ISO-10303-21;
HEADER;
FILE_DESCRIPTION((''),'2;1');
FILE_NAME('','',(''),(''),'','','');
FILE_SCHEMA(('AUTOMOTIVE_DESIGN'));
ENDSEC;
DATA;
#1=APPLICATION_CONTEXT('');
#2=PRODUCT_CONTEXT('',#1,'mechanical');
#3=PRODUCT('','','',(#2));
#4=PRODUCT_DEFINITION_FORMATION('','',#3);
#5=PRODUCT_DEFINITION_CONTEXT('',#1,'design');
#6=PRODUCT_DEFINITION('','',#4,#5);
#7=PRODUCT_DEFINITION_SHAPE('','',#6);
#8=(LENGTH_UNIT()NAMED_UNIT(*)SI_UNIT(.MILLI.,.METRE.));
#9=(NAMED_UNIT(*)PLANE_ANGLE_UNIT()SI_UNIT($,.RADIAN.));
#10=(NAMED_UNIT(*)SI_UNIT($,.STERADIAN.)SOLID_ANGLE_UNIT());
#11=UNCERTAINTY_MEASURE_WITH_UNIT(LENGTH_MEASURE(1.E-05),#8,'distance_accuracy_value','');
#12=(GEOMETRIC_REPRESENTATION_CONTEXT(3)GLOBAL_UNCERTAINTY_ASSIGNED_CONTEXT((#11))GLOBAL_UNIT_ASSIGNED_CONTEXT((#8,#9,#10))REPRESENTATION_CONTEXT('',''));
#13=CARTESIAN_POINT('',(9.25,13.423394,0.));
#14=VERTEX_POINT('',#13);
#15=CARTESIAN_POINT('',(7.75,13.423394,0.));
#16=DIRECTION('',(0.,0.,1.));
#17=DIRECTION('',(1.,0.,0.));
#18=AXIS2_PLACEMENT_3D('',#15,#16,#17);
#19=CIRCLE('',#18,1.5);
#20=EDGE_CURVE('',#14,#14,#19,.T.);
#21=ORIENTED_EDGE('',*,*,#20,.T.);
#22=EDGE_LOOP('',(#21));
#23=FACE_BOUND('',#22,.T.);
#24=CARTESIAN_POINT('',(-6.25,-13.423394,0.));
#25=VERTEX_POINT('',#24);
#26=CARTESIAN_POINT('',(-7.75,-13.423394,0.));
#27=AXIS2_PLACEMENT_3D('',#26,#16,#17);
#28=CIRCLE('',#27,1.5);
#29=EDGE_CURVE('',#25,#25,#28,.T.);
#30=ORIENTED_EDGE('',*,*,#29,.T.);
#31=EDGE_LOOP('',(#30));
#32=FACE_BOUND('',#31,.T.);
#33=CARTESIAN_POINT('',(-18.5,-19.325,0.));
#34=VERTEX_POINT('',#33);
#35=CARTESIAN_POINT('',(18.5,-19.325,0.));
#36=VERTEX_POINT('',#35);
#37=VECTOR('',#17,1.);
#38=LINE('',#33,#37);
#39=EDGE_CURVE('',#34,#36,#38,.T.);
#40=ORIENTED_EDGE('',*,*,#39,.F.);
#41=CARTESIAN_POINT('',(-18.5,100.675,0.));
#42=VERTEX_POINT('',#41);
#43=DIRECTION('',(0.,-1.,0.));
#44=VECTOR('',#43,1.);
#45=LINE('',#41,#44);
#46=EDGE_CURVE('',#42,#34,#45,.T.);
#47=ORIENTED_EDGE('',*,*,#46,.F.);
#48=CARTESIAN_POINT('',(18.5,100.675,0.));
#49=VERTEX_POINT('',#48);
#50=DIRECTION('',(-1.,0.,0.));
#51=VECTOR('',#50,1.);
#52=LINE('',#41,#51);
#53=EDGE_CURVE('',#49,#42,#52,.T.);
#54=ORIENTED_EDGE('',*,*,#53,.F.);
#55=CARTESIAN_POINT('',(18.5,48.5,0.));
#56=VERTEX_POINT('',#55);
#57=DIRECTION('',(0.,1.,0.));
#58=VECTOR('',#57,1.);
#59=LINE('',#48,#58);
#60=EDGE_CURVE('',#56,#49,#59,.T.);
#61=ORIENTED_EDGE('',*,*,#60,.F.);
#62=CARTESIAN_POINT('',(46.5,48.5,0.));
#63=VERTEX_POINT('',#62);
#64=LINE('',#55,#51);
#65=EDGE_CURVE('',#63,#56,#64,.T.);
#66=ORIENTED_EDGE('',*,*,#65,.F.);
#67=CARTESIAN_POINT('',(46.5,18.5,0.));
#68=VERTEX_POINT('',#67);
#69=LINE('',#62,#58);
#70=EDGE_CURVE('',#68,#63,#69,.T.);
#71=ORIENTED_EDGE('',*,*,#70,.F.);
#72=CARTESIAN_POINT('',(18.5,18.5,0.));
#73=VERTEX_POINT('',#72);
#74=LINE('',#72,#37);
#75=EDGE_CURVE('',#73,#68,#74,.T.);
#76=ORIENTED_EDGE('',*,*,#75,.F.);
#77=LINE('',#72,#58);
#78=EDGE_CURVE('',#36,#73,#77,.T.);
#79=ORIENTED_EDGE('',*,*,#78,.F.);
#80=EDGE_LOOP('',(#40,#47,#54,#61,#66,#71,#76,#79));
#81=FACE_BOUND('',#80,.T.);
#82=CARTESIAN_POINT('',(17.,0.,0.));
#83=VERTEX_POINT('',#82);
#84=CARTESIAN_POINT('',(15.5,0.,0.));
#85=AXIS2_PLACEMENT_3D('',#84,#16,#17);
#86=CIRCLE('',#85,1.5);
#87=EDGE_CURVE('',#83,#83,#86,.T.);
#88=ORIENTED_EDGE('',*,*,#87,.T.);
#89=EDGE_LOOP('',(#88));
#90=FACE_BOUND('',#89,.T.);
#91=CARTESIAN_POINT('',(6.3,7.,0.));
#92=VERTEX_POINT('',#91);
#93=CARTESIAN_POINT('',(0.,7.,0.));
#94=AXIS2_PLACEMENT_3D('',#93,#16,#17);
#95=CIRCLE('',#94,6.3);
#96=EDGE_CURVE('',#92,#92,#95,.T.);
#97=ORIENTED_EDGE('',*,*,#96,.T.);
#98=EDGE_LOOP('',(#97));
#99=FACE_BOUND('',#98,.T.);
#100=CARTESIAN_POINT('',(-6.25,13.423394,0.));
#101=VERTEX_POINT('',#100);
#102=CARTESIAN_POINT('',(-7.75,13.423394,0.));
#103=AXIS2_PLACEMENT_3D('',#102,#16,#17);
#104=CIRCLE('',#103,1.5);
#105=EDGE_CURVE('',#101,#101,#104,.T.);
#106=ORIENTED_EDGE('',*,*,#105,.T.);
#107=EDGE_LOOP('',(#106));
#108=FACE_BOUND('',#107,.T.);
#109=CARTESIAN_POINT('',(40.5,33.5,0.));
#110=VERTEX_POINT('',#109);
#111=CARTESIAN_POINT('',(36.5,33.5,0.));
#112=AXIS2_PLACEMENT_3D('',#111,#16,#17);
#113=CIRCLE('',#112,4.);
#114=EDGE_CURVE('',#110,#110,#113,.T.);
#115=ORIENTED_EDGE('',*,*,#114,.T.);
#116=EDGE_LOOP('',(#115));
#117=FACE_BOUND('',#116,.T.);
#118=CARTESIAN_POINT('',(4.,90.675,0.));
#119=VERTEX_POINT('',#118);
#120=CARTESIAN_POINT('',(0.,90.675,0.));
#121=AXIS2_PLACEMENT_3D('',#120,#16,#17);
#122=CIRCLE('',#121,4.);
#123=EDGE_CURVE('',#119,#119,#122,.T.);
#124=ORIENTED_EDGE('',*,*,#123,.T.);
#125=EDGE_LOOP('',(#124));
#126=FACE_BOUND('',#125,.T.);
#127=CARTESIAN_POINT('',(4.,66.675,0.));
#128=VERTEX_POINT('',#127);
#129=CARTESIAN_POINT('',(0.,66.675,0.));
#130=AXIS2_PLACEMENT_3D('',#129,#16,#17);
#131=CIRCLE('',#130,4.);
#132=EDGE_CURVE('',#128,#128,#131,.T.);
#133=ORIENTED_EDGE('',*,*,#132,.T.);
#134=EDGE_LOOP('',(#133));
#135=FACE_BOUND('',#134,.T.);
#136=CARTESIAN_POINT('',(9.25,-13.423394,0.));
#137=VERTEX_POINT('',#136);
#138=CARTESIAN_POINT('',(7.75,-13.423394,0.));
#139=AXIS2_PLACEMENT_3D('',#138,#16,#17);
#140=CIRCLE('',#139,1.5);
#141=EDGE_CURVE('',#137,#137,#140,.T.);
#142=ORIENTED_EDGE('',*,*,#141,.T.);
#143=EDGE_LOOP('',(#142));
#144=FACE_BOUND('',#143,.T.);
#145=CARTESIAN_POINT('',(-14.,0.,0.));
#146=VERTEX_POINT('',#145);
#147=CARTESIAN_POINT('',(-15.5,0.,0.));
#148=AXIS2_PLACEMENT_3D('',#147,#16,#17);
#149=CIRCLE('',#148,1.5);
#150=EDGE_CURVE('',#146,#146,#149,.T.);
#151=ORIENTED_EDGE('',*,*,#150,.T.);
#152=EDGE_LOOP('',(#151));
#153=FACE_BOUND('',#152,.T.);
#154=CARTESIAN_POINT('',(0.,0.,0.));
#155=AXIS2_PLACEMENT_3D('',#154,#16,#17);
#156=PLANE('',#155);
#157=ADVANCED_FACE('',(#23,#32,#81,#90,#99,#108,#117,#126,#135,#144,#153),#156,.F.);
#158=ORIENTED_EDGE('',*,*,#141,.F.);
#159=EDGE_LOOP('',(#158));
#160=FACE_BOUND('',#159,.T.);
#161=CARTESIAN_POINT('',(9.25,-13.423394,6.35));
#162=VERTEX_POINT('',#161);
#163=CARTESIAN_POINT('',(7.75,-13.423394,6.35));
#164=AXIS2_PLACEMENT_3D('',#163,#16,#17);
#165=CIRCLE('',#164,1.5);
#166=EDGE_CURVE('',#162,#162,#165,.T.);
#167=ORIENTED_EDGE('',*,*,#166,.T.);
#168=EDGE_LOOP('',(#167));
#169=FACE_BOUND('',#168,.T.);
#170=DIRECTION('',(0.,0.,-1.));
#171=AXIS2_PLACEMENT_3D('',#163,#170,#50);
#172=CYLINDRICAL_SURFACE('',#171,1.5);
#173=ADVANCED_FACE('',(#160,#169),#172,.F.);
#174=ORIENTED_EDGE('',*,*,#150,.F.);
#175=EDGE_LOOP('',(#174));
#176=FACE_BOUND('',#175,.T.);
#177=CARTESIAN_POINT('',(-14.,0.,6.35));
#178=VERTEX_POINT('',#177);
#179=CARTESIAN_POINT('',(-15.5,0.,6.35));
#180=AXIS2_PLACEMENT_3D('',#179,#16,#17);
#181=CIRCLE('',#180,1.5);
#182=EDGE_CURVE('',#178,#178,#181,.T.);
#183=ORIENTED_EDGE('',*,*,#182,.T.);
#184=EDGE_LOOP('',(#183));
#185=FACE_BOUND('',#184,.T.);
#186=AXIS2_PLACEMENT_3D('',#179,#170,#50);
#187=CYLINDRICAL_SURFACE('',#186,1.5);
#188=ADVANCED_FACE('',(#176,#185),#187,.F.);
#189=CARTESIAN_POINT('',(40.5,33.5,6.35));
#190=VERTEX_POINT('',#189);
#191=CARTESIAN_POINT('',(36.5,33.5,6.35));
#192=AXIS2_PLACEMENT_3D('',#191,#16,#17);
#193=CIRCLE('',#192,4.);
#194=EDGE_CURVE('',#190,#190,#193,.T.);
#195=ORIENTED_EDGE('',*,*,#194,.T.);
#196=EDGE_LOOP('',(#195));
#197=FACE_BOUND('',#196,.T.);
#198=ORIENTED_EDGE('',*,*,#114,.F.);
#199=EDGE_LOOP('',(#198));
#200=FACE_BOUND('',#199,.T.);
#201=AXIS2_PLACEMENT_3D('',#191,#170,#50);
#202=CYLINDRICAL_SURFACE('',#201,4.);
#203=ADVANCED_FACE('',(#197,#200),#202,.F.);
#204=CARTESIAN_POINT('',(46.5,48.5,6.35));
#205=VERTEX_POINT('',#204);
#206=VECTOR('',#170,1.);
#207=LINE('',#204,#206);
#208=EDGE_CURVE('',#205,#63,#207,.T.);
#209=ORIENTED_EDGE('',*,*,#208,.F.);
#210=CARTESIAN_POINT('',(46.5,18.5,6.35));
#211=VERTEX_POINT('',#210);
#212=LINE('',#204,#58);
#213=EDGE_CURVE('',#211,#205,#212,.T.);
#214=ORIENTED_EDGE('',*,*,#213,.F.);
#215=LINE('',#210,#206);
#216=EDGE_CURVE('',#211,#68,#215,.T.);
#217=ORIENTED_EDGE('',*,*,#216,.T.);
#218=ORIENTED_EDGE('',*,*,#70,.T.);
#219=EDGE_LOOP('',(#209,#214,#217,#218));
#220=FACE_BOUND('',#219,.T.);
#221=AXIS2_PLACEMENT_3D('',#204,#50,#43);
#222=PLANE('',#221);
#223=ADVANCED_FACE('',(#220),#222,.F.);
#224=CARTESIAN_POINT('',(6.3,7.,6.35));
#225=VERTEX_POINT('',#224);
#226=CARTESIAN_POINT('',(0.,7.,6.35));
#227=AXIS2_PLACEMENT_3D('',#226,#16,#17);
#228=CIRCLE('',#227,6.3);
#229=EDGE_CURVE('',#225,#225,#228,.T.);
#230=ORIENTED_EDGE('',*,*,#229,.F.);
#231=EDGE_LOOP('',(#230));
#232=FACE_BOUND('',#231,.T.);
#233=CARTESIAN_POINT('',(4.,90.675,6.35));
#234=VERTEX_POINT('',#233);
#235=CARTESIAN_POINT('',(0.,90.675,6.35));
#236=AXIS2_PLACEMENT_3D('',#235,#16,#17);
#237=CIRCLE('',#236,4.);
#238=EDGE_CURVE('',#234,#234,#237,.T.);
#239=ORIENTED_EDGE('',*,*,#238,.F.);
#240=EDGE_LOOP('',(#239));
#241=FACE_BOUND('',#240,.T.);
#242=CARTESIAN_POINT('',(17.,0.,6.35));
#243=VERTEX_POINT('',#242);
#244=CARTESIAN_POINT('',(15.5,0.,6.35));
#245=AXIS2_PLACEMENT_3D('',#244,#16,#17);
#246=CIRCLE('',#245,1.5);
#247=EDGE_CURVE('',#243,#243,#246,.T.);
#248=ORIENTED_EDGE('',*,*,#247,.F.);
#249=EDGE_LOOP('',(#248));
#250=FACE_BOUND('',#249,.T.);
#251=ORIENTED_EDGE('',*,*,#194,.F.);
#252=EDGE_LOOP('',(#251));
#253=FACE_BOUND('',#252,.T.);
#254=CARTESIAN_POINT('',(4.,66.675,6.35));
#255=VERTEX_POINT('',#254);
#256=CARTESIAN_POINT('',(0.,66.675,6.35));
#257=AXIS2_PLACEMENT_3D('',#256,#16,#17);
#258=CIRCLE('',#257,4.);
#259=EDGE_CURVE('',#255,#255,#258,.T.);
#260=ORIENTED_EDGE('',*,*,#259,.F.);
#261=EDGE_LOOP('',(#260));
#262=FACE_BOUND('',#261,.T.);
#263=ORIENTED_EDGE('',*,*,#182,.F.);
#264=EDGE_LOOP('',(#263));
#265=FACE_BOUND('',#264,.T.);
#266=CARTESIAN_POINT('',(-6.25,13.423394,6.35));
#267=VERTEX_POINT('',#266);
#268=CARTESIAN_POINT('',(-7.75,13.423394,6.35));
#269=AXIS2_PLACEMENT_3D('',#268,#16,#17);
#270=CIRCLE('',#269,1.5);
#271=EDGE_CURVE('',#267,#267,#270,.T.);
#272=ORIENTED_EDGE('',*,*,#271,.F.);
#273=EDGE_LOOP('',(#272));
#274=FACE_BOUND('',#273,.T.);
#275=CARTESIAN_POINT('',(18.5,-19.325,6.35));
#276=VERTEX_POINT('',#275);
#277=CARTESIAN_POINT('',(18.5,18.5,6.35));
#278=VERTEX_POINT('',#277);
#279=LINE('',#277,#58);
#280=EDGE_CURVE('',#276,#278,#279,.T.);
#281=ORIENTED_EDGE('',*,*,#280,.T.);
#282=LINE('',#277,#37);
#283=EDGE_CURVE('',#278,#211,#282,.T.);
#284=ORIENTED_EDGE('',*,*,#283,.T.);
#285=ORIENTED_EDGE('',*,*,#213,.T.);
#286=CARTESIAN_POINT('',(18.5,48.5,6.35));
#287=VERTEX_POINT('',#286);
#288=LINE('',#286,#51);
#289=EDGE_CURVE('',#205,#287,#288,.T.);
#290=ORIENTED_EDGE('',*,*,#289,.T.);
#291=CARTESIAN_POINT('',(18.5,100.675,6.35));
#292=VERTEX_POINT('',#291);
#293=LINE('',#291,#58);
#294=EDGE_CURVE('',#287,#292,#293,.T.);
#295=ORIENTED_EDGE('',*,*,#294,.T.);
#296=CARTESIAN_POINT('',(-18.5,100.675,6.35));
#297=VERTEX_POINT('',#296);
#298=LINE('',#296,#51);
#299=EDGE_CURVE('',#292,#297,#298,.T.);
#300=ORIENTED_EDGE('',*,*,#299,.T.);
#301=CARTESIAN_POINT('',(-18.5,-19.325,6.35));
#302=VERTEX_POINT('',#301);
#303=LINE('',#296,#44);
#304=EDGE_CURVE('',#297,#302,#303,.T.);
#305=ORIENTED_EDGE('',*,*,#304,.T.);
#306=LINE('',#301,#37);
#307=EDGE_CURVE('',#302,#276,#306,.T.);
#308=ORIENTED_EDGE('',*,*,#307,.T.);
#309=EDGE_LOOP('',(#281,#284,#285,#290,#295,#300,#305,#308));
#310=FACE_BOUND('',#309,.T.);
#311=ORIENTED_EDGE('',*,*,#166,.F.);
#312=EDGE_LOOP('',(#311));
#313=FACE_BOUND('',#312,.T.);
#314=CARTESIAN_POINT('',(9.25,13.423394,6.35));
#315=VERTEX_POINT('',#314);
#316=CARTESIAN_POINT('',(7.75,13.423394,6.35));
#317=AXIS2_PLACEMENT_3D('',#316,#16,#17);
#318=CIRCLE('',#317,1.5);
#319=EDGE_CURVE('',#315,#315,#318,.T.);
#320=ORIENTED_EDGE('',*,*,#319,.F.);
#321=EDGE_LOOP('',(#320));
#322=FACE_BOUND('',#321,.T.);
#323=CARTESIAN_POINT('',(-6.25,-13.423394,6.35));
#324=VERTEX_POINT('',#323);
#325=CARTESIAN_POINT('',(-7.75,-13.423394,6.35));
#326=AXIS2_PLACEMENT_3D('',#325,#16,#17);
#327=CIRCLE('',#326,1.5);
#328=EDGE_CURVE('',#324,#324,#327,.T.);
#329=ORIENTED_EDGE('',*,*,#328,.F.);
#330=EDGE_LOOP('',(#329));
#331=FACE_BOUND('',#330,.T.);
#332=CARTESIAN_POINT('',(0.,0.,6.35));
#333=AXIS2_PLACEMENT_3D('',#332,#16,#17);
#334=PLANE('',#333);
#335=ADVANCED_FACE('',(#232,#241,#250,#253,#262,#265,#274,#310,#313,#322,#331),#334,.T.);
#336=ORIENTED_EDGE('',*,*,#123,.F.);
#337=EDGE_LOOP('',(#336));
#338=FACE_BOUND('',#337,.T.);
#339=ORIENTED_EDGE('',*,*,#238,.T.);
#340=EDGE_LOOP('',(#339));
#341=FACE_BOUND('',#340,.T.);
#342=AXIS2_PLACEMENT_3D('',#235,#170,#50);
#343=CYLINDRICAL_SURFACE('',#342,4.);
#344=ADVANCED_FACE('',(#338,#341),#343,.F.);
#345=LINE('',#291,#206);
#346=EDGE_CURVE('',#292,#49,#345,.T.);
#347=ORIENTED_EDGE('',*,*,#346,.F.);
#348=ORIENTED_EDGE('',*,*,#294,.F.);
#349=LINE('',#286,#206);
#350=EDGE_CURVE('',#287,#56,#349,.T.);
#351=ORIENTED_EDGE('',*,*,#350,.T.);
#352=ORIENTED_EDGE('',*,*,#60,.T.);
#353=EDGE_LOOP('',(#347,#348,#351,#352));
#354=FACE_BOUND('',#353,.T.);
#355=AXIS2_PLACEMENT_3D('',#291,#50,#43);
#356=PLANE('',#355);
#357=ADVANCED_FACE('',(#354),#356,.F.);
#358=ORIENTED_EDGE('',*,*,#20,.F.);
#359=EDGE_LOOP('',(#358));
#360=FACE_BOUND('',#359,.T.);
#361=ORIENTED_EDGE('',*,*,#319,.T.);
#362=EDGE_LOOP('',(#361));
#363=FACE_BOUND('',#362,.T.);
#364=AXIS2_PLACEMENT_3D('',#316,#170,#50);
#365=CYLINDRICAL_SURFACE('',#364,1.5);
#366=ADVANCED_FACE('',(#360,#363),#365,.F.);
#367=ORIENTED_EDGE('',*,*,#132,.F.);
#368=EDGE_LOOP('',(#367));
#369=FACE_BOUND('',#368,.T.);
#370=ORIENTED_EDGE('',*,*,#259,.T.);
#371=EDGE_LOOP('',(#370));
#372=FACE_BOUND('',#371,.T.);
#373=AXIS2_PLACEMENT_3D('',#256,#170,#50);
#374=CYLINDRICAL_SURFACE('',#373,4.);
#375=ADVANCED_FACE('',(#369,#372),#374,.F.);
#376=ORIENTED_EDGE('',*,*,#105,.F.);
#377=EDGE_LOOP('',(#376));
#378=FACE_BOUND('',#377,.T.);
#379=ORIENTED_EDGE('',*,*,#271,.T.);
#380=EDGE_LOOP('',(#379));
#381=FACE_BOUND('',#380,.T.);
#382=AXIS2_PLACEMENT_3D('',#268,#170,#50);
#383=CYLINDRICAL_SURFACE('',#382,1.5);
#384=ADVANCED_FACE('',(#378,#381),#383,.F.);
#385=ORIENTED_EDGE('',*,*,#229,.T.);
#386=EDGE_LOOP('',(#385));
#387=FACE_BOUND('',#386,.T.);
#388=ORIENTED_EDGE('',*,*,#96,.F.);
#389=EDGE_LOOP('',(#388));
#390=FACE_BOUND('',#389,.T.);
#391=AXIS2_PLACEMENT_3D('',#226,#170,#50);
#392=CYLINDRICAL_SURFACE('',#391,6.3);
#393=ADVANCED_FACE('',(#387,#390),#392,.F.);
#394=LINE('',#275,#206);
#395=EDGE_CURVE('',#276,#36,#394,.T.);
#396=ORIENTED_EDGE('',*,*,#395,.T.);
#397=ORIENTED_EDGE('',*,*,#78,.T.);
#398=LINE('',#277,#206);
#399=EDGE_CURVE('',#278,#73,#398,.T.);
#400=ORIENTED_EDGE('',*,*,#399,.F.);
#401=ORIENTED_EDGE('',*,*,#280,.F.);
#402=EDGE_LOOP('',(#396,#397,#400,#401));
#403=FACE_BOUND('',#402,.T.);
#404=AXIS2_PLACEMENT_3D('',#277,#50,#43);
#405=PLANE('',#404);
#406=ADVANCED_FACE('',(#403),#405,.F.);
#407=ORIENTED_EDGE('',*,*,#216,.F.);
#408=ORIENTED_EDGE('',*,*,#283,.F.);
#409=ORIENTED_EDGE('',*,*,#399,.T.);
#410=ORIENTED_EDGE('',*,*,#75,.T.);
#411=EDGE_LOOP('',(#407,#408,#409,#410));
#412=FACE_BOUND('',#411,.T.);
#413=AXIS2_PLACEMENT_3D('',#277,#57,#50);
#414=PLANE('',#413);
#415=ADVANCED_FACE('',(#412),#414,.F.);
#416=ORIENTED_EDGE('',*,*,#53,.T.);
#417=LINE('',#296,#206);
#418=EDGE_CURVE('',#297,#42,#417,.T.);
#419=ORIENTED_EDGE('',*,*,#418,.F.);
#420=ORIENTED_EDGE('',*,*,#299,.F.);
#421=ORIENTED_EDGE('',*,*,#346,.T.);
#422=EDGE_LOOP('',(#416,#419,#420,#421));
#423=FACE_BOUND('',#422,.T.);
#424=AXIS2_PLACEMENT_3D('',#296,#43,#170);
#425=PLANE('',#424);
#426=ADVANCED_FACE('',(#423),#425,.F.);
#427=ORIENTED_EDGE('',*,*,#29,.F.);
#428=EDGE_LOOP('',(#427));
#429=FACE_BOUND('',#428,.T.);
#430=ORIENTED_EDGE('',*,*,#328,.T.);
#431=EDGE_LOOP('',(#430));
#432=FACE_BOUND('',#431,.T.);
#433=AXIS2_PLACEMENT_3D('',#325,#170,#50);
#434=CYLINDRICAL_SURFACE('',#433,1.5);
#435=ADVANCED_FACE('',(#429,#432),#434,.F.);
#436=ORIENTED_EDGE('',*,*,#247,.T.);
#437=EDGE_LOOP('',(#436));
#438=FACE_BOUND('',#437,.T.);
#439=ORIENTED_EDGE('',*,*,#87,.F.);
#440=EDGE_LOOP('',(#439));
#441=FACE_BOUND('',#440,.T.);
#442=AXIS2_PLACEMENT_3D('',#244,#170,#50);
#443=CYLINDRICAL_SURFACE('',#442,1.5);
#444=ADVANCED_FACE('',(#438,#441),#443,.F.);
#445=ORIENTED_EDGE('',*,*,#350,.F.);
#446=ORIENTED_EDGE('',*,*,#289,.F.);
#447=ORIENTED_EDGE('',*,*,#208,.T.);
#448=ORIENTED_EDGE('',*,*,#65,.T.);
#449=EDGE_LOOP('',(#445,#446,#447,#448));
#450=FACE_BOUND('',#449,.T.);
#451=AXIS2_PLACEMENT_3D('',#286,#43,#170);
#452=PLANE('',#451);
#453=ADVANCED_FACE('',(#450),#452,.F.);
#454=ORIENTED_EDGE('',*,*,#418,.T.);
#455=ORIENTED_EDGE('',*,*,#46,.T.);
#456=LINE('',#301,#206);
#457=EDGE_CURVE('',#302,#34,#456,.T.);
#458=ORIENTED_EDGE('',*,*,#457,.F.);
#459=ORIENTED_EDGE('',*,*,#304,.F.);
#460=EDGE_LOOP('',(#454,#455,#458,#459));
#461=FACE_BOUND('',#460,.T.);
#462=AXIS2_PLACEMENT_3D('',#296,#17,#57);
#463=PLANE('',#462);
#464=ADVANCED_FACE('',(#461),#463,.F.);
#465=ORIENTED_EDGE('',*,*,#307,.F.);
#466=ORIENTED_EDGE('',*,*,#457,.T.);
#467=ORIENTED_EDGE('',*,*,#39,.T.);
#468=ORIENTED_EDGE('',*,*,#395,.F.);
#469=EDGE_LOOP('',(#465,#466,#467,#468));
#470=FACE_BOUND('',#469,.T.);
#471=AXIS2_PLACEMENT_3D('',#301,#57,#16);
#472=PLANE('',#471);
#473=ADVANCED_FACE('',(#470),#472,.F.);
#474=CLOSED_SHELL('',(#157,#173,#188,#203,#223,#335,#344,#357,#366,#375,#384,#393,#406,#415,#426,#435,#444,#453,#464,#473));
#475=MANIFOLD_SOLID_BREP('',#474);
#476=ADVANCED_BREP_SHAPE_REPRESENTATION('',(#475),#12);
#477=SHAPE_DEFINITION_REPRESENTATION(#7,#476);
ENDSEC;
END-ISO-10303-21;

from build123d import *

# Parameters (mm, degrees)
SKETCH1_R           = 1.5
SKETCH1_R_2         = 6.3
SKETCH1_R_3         = 4
BOSS_EXTRUDE2_DEPTH = 6.35


with BuildPart() as part:
    # Sketch1 → Boss-Extrude2 (new body)
    with BuildSketch(Plane.XY):
        Polygon((-18.5, 100.675), (18.5, 100.675), (18.5, 48.5), (46.5, 48.5), (46.5, 18.5), (18.5, 18.5), (18.5, -19.325), (-18.5, -19.325), align=None)
        with Locations((-7.75, 13.423393759)):
            Circle(SKETCH1_R, mode=Mode.SUBTRACT)
        with Locations((7.75, 13.423393759)):
            Circle(SKETCH1_R, mode=Mode.SUBTRACT)
        with Locations((15.5, 0)):
            Circle(SKETCH1_R, mode=Mode.SUBTRACT)
        with Locations((7.75, -13.423393759)):
            Circle(SKETCH1_R, mode=Mode.SUBTRACT)
        with Locations((-7.75, -13.423393759)):
            Circle(SKETCH1_R, mode=Mode.SUBTRACT)
        with Locations((-15.5, 0)):
            Circle(SKETCH1_R, mode=Mode.SUBTRACT)
        with Locations((0, 7)):
            Circle(SKETCH1_R_2, mode=Mode.SUBTRACT)
        with Locations((0, 90.675)):
            Circle(SKETCH1_R_3, mode=Mode.SUBTRACT)
        with Locations((0, 66.675)):
            Circle(SKETCH1_R_3, mode=Mode.SUBTRACT)
        with Locations((36.5, 33.5)):
            Circle(SKETCH1_R_3, mode=Mode.SUBTRACT)
    extrude(amount=BOSS_EXTRUDE2_DEPTH)


solid = part.part
